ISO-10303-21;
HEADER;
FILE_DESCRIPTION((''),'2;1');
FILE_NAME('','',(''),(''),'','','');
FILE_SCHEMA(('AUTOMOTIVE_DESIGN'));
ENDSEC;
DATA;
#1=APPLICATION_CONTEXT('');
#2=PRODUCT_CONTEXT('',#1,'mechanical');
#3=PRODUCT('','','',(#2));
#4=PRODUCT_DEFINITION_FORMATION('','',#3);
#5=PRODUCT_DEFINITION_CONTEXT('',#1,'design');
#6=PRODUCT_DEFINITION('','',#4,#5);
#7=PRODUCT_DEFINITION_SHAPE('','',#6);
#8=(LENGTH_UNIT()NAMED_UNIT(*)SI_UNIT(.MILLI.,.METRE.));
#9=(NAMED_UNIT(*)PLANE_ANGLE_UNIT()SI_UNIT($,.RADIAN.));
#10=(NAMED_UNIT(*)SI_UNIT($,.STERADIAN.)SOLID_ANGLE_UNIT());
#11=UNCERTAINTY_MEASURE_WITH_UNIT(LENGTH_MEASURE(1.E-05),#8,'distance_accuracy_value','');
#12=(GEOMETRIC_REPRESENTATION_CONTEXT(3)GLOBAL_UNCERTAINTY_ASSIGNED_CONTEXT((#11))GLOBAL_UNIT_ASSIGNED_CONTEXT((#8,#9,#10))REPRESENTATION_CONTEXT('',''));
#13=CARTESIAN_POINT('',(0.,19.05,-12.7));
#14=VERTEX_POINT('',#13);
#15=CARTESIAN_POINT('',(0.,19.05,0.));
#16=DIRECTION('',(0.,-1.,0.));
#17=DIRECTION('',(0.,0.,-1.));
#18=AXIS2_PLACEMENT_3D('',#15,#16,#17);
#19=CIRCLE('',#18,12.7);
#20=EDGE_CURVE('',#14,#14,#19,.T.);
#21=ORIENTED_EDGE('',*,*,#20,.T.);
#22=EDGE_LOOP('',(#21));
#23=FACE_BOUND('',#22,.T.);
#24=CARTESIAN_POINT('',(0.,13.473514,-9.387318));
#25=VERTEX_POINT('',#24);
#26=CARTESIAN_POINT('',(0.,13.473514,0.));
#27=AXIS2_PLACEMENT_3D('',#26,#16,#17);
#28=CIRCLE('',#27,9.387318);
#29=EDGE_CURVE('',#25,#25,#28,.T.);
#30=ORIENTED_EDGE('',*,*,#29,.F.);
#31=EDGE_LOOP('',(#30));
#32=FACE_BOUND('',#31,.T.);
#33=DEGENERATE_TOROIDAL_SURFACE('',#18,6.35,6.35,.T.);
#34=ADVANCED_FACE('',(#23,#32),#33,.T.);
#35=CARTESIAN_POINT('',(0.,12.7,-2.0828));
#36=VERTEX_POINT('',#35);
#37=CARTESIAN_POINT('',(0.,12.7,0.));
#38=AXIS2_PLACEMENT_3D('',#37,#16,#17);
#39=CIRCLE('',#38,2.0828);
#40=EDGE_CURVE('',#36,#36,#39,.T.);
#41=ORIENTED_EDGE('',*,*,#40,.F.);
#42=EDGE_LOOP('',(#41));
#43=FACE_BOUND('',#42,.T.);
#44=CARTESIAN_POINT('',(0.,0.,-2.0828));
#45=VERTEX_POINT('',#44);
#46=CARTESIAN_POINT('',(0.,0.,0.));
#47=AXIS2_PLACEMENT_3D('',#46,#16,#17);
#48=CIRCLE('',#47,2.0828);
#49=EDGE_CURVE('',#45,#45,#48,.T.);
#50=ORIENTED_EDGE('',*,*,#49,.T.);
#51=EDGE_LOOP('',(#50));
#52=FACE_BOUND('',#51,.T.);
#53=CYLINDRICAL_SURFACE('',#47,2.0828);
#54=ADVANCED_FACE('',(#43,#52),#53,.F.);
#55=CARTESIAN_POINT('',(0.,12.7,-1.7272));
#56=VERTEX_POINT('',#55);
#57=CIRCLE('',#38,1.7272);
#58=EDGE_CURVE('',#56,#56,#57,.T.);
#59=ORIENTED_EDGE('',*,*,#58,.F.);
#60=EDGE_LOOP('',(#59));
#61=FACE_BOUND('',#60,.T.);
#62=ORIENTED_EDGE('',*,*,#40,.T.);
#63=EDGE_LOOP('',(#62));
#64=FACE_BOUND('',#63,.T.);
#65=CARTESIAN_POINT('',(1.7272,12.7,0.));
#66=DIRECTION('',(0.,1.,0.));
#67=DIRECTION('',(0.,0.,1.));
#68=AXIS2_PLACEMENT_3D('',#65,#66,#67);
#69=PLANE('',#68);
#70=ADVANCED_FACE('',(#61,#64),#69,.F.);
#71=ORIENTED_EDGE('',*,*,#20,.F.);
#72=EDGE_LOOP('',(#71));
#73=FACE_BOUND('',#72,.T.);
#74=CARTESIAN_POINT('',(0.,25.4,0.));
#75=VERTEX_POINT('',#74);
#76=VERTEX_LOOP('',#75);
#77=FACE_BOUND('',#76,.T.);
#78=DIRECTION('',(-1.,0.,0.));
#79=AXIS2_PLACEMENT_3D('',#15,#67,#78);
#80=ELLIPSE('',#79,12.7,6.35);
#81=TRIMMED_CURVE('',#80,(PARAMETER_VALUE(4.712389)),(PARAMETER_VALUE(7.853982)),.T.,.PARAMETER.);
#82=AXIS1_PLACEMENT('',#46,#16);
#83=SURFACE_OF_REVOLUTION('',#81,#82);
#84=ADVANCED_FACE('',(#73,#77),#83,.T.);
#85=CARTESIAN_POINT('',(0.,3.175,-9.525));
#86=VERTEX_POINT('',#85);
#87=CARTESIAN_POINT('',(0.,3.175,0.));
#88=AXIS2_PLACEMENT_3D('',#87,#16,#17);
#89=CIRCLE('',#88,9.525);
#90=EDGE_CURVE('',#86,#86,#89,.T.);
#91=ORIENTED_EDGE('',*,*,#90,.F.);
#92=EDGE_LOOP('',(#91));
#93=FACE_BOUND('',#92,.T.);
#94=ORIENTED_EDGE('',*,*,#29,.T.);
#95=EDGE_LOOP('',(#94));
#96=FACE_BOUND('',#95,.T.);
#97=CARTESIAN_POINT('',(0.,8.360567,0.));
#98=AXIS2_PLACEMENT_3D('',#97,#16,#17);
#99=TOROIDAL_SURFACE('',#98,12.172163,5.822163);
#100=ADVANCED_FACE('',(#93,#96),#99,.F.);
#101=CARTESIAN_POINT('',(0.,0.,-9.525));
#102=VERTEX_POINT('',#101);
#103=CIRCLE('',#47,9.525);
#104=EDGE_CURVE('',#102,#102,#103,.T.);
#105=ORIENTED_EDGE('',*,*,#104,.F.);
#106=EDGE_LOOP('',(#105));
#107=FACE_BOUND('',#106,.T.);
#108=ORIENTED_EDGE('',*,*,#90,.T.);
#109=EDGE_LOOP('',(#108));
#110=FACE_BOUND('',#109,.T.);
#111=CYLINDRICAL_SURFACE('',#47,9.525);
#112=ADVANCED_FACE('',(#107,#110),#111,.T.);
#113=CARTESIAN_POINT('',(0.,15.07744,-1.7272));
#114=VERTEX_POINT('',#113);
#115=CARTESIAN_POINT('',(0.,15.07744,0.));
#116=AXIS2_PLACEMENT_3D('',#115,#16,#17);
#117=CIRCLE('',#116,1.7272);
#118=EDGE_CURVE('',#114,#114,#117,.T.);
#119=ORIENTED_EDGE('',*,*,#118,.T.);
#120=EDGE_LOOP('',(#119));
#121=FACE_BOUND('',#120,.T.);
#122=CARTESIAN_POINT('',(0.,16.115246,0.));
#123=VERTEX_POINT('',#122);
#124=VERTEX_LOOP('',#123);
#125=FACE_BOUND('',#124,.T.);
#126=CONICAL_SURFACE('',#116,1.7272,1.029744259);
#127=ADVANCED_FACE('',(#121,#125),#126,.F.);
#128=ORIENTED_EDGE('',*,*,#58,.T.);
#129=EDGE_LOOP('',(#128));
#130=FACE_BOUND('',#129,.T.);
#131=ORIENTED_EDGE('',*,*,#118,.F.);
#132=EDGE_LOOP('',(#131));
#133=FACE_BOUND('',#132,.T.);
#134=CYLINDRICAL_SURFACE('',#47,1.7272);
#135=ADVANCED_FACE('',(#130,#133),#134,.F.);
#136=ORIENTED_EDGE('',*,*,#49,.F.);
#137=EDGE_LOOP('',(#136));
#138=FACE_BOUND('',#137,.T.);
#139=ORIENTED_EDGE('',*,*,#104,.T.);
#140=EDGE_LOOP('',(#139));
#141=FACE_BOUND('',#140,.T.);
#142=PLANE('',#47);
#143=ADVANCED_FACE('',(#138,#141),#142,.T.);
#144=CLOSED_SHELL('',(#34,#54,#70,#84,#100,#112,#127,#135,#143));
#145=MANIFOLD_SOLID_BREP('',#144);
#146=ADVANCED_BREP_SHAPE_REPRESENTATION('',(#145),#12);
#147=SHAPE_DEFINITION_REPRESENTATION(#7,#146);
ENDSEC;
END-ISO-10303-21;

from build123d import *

# Parameters (mm, degrees)
F_8_32_TAPPED_HOLE1_D           = 3.4544
F_8_32_TAPPED_HOLE1_DEPTH       = 15.07744
F_8_32_TAPPED_HOLE1_CBORE_D     = 4.1656
F_8_32_TAPPED_HOLE1_CBORE_DEPTH = 12.7
F_8_32_TAPPED_HOLE1_TIP         = 1.037806461


with BuildPart() as part:
    # Sketch1 → Base-Revolve (revolve)
    with BuildSketch(Plane.XY):
        with BuildLine():
            Line((0, 0), (-9.525, 0))
            Line((-9.525, 0), (-9.525, 3.175))
            ThreePointArc((-9.525, 3.175), (-6.350520234, 8.282737448), (-9.387318408, 13.47351393))
            ThreePointArc((-9.387318408, 13.47351393), (-11.809371387, 15.806889756), (-12.7, 19.05))
            add(Edge.make_bspline(
                [(0, 25.4), (-12.7, 25.4), (-12.7, 19.05)],
                knots=[4.71238898, 4.71238898, 4.71238898, 6.283185307, 6.283185307, 6.283185307], degree=2, weights=[1, 0.707106781, 1]))
            Line((0, 25.4), (0, 0))
        make_face()
    revolve(axis=Axis((0, 0, 0), (0, 1, 0)))

    # #8-32 Tapped Hole1
    with Locations(Plane.XZ):
        with Locations((0, 0)):
            CounterBoreHole(F_8_32_TAPPED_HOLE1_D / 2, F_8_32_TAPPED_HOLE1_CBORE_D / 2, F_8_32_TAPPED_HOLE1_CBORE_DEPTH, depth=F_8_32_TAPPED_HOLE1_DEPTH)
            with Locations((0, 0, -(F_8_32_TAPPED_HOLE1_DEPTH + F_8_32_TAPPED_HOLE1_TIP / 2))):  # 118° drill point
                Cone(0, F_8_32_TAPPED_HOLE1_D / 2, F_8_32_TAPPED_HOLE1_TIP, mode=Mode.SUBTRACT)


solid = part.part
